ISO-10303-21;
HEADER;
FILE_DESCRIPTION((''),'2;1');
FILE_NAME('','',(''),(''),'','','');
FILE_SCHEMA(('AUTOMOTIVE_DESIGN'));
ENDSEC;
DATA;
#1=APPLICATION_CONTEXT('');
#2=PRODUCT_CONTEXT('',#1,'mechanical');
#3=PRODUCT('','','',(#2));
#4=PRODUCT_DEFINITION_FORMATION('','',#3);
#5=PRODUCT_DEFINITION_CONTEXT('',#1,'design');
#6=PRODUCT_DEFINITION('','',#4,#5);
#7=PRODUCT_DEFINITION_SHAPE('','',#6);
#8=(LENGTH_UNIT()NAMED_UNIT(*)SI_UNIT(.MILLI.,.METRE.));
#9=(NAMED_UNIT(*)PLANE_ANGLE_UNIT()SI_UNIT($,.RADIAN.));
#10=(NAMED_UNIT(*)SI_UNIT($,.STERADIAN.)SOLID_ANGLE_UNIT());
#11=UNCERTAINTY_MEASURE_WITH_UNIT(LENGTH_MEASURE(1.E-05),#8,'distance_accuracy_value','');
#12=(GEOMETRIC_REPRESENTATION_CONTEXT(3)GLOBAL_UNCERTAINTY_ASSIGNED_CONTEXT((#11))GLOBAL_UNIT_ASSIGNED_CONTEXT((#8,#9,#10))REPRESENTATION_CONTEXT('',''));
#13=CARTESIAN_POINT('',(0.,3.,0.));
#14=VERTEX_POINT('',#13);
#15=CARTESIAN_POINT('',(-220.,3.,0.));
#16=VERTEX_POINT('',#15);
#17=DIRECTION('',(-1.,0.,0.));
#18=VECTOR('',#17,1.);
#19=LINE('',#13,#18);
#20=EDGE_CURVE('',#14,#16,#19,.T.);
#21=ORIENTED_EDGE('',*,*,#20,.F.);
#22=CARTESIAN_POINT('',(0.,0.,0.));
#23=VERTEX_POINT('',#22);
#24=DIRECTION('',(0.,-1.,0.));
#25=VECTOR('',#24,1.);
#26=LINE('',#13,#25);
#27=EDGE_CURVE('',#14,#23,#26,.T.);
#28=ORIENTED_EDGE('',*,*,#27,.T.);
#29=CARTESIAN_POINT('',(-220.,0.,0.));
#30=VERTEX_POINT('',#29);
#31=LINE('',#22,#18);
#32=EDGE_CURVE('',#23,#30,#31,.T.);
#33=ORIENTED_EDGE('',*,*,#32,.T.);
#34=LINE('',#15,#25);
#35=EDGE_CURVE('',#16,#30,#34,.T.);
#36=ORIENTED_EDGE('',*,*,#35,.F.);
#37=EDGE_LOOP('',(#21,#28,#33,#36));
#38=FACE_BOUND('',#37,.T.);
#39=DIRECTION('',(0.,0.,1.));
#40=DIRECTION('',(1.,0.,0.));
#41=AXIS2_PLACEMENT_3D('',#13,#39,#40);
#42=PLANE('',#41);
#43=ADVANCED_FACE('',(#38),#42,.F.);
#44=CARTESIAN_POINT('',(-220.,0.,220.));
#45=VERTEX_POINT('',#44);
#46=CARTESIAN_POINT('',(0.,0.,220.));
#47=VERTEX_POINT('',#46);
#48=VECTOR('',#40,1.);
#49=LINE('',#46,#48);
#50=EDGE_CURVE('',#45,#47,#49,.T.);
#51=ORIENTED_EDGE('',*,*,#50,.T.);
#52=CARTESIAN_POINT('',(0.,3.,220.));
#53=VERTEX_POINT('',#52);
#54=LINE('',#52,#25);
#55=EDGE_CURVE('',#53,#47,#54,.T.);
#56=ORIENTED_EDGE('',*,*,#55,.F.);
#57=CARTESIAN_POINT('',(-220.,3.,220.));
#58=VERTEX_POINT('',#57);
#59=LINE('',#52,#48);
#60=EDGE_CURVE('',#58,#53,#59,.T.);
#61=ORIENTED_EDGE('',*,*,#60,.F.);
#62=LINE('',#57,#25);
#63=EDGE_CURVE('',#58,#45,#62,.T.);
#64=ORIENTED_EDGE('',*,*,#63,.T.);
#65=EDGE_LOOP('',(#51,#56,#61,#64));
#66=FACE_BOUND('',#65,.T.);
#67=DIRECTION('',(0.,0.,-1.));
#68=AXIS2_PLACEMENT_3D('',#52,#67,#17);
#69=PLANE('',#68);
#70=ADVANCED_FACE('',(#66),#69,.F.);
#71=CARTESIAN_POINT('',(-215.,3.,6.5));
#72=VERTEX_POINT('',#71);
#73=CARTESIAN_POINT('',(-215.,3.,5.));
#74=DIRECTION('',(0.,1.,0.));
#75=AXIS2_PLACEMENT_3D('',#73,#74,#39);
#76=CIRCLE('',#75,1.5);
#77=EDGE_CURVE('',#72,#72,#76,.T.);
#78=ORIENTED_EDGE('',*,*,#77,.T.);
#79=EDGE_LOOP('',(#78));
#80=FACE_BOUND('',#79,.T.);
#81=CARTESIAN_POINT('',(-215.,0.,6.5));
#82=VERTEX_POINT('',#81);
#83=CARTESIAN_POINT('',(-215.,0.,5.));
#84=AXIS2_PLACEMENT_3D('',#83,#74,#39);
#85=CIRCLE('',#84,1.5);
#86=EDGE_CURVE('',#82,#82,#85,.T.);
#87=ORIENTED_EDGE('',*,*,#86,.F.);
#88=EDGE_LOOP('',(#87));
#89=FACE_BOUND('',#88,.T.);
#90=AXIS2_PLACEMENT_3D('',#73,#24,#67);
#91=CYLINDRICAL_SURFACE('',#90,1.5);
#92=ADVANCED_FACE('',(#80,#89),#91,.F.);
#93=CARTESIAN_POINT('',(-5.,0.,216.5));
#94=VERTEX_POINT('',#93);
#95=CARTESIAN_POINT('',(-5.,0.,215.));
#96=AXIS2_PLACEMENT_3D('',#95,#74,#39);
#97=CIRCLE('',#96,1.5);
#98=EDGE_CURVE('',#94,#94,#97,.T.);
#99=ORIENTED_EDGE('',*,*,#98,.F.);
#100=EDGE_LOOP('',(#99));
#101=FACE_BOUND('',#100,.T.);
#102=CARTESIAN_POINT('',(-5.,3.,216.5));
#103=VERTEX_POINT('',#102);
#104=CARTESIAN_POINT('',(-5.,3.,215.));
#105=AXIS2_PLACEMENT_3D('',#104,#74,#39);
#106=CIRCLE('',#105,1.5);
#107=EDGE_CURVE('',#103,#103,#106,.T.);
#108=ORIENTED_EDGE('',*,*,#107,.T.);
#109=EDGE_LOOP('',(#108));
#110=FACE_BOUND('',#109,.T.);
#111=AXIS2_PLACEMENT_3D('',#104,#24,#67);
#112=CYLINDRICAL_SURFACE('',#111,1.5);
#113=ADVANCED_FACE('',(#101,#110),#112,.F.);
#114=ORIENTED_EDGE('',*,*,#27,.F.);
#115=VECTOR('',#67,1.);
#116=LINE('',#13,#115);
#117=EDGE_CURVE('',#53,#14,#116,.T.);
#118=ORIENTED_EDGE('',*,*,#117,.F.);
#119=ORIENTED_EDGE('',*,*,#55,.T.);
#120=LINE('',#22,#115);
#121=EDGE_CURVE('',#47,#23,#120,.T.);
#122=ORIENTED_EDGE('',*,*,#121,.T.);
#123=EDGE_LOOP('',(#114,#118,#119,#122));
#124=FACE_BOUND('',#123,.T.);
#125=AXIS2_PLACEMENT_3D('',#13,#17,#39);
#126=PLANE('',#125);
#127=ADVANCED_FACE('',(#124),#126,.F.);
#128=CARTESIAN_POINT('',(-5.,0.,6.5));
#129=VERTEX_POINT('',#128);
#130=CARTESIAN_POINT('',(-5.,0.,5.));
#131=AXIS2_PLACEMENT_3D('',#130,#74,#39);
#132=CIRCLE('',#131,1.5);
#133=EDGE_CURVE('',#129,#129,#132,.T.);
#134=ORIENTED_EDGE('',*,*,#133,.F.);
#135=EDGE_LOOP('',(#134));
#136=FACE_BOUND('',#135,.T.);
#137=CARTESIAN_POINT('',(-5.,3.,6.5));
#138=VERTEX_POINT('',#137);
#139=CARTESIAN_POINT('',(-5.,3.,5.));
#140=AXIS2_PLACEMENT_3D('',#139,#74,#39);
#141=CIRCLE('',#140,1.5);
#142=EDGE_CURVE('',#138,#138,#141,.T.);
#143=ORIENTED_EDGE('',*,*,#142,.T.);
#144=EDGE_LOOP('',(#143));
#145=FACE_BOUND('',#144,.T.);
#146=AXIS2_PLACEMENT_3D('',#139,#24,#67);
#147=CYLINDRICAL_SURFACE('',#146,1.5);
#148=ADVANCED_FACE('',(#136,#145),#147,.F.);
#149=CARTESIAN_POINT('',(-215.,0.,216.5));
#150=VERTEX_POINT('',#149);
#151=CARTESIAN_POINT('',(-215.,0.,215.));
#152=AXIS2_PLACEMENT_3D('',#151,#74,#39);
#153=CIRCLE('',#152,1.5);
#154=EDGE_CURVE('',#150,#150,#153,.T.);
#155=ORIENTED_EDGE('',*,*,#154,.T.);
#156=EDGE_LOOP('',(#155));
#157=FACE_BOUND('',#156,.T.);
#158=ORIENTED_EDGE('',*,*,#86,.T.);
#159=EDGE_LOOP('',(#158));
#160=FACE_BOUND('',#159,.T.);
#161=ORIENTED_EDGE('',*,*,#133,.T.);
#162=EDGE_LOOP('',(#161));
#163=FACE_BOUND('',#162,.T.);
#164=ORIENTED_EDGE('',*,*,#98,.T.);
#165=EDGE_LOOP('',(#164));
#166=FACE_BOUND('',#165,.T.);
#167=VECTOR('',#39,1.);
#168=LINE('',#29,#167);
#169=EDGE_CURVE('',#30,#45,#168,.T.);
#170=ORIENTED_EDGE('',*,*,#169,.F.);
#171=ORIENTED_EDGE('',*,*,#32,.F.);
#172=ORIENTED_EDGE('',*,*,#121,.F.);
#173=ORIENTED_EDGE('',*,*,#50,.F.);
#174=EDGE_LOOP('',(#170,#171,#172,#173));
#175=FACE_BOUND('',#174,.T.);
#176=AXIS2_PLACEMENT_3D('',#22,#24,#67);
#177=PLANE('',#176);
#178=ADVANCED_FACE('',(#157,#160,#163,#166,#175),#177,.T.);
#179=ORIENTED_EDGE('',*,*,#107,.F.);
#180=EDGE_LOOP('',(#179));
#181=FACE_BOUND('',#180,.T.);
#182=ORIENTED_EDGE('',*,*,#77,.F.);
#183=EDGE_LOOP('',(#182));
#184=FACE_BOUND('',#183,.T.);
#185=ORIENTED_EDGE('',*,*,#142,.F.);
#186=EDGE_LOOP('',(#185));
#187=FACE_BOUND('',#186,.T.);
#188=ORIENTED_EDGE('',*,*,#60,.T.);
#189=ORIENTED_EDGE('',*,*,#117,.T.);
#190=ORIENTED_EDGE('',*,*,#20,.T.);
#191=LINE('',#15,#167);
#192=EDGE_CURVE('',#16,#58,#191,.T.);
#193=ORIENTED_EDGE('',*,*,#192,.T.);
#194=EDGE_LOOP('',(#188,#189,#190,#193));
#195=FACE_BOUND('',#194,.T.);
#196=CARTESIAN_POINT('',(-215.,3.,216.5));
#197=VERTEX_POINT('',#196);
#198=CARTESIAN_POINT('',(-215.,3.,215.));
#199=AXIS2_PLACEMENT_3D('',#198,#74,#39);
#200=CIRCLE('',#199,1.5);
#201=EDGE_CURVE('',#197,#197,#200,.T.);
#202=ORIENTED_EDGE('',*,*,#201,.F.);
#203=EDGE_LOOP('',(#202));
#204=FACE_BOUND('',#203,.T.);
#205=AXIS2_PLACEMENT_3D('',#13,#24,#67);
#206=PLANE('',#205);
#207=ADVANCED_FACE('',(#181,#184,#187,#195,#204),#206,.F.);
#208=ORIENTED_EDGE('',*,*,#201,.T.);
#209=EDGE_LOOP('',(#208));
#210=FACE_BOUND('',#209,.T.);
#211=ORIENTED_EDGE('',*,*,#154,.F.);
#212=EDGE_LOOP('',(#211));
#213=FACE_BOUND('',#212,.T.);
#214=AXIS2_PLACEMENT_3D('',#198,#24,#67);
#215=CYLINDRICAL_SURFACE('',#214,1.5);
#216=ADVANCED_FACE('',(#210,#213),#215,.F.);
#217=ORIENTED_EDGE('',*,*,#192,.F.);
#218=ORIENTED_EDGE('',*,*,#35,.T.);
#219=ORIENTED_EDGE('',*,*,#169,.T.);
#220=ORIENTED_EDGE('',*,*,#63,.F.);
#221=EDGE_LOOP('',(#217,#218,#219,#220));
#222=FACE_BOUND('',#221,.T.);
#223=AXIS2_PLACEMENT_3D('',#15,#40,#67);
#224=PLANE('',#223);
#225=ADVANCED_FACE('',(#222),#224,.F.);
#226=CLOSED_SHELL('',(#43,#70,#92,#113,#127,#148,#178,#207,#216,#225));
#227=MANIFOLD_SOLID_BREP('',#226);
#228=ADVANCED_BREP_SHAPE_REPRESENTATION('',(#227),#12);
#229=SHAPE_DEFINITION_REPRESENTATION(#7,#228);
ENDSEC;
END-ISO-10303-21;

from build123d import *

# Parameters (mm, degrees)
SKETCH_1_W      = 220
SKETCH_1_H      = 220
SKETCH_1_R      = 1.5
EXTRUDE_1_DEPTH = 3


with BuildPart() as part:
    # 草图1 → 凸台-拉伸1 (new body)
    with BuildSketch(Plane(origin=(0, 0, 0), x_dir=(1, 0, 0), z_dir=(0, 1, 0))):
        with Locations((-110, -110)):
            Rectangle(SKETCH_1_W, SKETCH_1_H)
        with Locations(Location((-215, -5, 0), (0, 0, 270))):
            Circle(SKETCH_1_R, mode=Mode.SUBTRACT)
        with Locations(Location((-5, -5, 0), (0, 0, 270))):
            Circle(SKETCH_1_R, mode=Mode.SUBTRACT)
        with Locations(Location((-5, -215, 0), (0, 0, 270))):
            Circle(SKETCH_1_R, mode=Mode.SUBTRACT)
        with Locations(Location((-215, -215, 0), (0, 0, 270))):
            Circle(SKETCH_1_R, mode=Mode.SUBTRACT)
    extrude(amount=EXTRUDE_1_DEPTH)


solid = part.part
